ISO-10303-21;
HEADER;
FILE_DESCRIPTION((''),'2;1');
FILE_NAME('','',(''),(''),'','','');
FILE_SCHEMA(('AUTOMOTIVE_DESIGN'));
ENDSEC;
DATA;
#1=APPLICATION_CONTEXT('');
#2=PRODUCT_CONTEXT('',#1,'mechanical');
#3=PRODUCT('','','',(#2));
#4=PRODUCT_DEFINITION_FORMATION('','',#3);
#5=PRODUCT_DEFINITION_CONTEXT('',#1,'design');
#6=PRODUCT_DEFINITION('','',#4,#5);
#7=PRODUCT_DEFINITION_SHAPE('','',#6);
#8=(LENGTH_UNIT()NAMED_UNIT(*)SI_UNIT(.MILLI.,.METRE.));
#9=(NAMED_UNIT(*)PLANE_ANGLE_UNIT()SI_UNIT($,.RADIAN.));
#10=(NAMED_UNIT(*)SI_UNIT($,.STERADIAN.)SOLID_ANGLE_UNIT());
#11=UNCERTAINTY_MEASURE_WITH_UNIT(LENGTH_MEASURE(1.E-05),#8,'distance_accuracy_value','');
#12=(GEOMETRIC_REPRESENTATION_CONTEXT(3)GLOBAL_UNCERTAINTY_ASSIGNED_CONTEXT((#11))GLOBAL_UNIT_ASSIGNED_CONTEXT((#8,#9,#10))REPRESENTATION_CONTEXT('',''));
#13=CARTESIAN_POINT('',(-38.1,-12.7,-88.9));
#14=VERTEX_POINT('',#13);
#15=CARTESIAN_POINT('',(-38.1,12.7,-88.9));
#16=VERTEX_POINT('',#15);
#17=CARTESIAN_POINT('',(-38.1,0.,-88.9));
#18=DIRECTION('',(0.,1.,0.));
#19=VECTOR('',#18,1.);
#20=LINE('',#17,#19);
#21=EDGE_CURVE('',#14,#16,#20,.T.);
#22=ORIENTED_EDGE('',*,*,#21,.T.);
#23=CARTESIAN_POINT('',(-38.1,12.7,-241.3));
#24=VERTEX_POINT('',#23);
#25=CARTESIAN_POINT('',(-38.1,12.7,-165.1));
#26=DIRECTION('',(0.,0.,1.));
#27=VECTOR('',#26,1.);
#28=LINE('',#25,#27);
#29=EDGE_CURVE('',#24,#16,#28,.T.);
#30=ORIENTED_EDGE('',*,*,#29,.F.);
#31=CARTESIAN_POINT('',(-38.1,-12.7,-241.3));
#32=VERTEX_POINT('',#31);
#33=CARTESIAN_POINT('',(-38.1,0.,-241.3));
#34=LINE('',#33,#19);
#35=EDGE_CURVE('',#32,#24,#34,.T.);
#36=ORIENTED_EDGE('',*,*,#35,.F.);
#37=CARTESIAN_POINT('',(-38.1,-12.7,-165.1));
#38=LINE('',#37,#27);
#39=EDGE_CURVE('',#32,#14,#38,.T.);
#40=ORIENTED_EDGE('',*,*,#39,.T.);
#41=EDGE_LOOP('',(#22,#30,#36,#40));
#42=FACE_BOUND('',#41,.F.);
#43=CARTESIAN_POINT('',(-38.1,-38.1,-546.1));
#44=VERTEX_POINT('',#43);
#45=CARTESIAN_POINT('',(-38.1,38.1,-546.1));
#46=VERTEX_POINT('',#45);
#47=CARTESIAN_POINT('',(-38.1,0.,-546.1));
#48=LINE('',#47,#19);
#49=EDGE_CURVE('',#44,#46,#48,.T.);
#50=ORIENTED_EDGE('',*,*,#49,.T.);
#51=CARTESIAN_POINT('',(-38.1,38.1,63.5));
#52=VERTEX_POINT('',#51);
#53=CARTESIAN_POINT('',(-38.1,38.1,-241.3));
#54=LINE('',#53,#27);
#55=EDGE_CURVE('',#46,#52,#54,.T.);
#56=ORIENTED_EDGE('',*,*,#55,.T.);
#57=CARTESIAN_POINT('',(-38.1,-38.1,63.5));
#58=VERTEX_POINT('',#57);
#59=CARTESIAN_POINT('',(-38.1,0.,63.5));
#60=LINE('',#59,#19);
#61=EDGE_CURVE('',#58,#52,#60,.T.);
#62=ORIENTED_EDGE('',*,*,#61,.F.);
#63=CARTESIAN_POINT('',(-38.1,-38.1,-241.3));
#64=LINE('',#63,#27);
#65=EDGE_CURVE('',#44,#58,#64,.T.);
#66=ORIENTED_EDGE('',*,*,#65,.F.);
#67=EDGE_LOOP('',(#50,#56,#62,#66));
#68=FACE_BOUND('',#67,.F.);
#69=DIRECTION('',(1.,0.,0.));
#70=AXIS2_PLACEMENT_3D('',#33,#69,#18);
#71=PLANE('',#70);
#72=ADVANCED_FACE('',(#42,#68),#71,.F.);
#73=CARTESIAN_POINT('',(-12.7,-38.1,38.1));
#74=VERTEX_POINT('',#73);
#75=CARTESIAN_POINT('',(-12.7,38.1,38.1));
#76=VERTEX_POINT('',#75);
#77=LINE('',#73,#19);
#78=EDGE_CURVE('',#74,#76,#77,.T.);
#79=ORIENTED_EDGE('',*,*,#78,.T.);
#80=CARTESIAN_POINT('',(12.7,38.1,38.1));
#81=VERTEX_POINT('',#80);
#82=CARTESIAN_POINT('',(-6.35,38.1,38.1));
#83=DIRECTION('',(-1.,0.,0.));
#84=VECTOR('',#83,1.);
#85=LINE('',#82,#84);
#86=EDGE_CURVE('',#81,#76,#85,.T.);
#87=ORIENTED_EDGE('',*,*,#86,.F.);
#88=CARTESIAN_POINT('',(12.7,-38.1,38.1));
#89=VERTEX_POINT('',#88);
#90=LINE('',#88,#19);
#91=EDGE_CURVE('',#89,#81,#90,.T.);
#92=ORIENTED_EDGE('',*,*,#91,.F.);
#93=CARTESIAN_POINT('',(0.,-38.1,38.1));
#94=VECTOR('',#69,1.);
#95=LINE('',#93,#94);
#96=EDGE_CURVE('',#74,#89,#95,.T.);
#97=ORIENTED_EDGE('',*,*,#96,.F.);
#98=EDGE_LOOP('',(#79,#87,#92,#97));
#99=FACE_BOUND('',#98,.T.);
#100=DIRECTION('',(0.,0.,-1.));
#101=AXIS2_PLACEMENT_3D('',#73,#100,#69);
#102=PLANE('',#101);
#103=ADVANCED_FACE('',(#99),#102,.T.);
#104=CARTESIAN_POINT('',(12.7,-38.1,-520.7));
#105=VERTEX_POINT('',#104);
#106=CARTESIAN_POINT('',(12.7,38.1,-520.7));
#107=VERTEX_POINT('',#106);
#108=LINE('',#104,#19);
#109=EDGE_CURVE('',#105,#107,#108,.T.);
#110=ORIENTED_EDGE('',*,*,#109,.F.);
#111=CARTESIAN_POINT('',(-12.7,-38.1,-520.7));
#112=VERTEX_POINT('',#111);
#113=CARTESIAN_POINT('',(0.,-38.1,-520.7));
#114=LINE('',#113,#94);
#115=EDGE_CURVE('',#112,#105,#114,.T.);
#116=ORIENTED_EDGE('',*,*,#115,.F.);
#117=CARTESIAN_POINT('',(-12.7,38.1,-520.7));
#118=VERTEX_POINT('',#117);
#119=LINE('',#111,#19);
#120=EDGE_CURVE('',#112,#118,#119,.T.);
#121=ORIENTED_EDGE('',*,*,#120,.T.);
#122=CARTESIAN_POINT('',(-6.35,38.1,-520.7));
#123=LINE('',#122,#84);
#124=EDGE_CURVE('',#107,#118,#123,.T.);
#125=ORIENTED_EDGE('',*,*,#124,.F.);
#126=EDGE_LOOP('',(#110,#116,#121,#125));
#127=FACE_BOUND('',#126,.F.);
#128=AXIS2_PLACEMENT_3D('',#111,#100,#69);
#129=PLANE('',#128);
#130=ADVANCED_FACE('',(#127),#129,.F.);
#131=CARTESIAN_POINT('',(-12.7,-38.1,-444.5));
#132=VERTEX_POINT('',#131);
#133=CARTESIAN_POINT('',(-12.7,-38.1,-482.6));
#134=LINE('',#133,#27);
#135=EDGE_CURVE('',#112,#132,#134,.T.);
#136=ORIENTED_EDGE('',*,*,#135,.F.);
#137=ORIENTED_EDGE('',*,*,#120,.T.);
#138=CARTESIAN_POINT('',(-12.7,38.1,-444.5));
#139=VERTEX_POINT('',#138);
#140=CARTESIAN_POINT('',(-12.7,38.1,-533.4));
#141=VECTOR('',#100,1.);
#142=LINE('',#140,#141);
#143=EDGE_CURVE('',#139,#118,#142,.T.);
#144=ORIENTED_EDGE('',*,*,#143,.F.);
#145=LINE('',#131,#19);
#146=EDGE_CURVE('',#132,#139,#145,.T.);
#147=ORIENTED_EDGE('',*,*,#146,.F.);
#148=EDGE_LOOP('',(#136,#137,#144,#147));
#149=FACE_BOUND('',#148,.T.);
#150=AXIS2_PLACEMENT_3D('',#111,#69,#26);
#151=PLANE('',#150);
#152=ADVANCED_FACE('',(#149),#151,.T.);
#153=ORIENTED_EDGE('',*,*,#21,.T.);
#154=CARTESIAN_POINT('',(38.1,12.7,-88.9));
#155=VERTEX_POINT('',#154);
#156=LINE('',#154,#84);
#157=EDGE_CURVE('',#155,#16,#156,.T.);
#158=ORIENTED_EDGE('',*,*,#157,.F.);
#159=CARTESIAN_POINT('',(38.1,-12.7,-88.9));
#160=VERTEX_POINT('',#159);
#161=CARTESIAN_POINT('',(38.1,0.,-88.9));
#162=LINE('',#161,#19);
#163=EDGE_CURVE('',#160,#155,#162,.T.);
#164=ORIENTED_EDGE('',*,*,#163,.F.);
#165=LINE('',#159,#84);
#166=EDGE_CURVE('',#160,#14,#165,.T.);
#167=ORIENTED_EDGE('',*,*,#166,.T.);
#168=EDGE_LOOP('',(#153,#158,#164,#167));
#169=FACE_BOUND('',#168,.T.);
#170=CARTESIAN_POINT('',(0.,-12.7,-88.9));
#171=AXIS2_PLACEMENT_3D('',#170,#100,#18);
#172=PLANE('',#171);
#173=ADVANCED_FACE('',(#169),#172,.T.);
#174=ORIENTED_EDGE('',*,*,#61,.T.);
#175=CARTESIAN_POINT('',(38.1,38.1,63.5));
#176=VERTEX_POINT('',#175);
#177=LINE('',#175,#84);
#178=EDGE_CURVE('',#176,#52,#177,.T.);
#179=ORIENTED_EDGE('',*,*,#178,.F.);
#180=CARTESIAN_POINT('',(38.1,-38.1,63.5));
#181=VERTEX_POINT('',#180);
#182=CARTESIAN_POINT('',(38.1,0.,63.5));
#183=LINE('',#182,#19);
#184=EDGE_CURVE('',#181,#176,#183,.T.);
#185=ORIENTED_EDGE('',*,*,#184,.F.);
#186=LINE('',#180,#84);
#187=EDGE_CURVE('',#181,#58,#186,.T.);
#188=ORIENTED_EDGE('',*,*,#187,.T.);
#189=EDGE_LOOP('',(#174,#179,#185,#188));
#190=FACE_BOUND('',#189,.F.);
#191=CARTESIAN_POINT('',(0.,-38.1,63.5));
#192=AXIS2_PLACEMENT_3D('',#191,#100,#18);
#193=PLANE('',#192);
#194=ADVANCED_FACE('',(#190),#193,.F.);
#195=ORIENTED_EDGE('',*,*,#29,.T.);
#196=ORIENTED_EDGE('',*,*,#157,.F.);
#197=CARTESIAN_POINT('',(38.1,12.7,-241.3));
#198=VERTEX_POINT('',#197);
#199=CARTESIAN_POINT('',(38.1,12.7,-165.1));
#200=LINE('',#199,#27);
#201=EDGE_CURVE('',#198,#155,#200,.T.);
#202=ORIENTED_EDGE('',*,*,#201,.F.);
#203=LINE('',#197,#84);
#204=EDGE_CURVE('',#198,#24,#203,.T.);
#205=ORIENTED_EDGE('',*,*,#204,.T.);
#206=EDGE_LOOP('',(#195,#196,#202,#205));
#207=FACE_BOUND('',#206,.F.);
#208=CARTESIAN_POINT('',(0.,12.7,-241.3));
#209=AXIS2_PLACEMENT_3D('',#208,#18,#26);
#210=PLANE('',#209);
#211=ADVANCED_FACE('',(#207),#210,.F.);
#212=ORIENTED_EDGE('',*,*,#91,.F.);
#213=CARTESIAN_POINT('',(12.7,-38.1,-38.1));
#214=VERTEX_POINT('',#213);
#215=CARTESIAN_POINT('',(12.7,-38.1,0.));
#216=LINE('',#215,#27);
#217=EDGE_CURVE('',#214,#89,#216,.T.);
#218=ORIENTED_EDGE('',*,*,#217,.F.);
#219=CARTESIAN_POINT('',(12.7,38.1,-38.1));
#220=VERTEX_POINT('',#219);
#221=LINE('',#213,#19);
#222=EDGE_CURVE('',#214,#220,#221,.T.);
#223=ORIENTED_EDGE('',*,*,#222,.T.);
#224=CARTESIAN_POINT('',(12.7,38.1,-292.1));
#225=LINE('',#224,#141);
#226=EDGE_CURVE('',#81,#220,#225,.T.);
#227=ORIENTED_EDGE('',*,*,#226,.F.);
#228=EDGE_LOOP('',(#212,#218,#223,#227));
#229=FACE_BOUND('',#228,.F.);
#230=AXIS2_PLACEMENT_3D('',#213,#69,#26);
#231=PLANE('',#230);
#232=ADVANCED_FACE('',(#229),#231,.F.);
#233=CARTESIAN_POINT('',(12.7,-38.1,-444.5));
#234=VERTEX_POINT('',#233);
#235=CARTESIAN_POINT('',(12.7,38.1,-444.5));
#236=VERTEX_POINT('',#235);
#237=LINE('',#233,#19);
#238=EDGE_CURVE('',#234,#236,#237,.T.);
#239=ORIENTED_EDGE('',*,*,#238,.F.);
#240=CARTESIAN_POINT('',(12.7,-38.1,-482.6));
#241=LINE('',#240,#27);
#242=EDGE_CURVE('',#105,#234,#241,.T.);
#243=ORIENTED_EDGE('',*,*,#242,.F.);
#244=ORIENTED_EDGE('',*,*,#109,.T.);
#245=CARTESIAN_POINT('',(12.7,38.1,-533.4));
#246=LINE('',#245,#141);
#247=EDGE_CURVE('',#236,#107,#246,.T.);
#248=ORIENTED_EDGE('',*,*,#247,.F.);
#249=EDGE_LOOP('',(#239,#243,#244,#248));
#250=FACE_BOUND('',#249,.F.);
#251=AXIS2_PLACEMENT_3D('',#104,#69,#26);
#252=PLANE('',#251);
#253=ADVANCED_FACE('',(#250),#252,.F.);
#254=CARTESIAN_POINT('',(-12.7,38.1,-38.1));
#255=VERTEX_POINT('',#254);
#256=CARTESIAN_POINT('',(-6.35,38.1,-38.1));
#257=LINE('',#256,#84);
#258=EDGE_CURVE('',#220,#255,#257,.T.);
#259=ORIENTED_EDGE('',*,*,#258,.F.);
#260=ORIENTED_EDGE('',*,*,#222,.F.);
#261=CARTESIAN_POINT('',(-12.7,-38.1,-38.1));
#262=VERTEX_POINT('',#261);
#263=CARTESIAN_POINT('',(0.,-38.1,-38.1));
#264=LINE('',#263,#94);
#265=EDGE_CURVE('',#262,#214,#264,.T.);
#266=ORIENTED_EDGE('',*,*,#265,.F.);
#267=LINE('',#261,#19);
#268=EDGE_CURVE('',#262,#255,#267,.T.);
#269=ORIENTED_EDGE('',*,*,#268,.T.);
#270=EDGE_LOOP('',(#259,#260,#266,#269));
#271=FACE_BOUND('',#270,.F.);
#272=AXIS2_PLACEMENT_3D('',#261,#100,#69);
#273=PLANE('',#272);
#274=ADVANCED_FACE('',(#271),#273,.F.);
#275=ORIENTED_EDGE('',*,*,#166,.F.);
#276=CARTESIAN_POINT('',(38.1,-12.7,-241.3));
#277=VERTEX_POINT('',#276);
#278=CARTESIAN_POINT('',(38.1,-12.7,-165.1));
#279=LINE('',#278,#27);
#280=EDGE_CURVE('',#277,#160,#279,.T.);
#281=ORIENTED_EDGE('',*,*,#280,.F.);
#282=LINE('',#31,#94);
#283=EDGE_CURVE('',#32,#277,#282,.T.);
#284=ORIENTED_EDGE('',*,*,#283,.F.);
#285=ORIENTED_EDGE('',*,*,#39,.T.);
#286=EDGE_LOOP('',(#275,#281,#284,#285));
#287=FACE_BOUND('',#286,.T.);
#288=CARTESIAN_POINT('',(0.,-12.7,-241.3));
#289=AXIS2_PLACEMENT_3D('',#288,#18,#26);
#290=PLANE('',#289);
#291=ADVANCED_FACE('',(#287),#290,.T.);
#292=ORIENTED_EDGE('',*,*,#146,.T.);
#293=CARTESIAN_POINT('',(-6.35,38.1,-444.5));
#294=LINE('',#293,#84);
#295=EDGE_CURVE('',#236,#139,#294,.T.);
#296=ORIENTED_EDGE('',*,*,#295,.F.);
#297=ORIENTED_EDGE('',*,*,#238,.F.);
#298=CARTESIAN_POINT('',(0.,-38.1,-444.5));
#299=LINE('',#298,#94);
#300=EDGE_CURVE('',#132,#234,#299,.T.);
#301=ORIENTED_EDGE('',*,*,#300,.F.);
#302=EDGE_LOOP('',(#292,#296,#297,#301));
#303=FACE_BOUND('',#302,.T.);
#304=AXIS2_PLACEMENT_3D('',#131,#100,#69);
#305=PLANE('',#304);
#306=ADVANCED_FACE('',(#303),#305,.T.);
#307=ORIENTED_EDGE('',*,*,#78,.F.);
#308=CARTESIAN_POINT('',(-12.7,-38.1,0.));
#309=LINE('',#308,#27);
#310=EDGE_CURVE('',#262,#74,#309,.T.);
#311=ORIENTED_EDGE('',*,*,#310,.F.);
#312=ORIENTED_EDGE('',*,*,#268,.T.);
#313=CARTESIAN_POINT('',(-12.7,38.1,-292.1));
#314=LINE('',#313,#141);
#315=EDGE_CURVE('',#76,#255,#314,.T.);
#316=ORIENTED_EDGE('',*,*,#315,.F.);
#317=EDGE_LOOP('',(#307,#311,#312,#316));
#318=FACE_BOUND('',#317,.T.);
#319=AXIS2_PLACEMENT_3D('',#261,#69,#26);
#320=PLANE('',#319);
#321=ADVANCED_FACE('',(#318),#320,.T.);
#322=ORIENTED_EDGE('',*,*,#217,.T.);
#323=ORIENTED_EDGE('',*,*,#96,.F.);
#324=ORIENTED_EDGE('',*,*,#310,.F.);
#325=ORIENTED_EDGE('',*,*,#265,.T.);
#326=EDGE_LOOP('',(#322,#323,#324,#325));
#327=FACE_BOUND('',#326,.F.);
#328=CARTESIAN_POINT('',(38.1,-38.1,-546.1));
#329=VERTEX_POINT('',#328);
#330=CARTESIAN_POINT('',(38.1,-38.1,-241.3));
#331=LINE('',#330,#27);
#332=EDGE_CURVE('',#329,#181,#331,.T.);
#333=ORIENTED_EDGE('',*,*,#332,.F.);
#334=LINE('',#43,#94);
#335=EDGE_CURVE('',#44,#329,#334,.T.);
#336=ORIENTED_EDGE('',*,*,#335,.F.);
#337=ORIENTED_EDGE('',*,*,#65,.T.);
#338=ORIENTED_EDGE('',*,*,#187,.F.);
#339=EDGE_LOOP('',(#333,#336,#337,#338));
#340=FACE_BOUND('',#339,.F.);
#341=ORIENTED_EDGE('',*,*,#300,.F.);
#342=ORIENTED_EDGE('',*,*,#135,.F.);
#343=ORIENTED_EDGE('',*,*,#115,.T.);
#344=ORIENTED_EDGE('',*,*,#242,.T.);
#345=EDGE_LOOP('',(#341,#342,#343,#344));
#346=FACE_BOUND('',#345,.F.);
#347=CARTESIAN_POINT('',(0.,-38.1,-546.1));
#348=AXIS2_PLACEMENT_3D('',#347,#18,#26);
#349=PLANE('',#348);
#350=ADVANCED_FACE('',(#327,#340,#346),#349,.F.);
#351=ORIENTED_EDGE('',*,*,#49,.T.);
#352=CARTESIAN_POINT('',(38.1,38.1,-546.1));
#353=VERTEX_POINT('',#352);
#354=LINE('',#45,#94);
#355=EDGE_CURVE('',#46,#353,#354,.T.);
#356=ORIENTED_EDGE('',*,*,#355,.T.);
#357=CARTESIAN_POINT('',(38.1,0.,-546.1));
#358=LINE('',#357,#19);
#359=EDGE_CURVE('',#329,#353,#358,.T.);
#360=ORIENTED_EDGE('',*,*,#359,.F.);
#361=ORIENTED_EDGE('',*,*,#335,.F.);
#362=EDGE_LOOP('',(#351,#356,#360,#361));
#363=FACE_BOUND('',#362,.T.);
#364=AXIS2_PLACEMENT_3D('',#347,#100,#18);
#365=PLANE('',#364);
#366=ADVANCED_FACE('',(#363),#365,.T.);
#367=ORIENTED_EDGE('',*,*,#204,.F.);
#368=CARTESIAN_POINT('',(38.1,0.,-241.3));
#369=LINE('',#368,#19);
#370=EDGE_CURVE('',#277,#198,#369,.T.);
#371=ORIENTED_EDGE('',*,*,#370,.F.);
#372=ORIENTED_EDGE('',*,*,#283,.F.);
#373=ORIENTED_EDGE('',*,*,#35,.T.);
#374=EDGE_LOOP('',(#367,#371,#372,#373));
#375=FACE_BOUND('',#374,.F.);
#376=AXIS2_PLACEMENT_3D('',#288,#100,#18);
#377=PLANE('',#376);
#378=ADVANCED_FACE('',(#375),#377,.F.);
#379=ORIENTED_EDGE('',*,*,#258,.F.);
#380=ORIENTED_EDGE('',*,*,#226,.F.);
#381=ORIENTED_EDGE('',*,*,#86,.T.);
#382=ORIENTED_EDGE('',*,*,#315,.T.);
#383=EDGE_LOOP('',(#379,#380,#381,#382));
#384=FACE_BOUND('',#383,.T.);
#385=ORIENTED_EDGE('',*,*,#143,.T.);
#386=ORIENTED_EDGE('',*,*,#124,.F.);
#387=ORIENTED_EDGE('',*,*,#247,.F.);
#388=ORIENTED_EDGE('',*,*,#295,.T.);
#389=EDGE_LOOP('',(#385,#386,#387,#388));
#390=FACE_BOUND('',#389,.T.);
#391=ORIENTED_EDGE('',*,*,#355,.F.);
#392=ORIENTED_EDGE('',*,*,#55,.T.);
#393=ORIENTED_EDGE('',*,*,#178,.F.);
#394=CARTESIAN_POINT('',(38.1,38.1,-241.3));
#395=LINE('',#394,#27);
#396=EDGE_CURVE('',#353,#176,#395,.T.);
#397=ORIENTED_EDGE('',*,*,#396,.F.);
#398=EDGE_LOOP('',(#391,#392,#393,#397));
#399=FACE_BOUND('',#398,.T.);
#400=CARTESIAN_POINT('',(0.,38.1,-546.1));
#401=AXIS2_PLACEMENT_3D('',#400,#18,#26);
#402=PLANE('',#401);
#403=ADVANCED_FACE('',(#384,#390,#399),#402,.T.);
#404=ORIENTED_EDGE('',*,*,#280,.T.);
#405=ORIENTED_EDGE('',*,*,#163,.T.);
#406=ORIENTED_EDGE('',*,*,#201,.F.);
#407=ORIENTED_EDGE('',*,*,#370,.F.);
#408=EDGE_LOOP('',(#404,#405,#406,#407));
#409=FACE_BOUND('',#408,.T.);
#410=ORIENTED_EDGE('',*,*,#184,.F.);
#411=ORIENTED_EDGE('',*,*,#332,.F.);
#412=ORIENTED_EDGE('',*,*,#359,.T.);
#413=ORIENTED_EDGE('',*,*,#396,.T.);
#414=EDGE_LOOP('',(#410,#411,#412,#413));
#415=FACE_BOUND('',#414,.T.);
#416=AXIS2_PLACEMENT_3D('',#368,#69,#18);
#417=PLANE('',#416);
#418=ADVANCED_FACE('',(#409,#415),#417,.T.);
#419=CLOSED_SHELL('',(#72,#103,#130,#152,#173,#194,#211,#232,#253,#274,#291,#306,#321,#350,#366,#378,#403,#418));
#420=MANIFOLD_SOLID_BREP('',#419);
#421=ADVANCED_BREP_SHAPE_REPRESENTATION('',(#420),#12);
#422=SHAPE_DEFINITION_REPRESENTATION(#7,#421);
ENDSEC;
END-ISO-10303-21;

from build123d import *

# Parameters (mm, degrees)
F0_W          = 76.2
F0_H          = 609.6
F0_W_2        = 25.4
F0_H_2        = 152.4
F1_DEPTH      = 38.1
F1_DEPTH_BACK = 38.1
F2_W          = 25.4
F2_H          = 76.2
F3_DEPTH      = 101.6


with BuildPart() as f1:
    # F0 (on Right) → F1 (new body, two sides)
    with BuildSketch(Plane.YZ) as f1_sk:
        with Locations((0, -241.3)):
            Rectangle(F0_W, F0_H)
        with Locations((0, -165.1)):
            Rectangle(F0_W_2, F0_H_2, mode=Mode.SUBTRACT)
    extrude(amount=F1_DEPTH)
    extrude(f1_sk.sketch, amount=-F1_DEPTH_BACK)

    # F2 (on face) → F3 (cut)
    with BuildSketch(Plane.XZ.offset(38.1)):
        Rectangle(F2_W, F2_H)
        with Locations((0, -482.6)):
            Rectangle(F2_W, F2_H)
    extrude(amount=-F3_DEPTH, mode=Mode.SUBTRACT)


solid = f1.part
